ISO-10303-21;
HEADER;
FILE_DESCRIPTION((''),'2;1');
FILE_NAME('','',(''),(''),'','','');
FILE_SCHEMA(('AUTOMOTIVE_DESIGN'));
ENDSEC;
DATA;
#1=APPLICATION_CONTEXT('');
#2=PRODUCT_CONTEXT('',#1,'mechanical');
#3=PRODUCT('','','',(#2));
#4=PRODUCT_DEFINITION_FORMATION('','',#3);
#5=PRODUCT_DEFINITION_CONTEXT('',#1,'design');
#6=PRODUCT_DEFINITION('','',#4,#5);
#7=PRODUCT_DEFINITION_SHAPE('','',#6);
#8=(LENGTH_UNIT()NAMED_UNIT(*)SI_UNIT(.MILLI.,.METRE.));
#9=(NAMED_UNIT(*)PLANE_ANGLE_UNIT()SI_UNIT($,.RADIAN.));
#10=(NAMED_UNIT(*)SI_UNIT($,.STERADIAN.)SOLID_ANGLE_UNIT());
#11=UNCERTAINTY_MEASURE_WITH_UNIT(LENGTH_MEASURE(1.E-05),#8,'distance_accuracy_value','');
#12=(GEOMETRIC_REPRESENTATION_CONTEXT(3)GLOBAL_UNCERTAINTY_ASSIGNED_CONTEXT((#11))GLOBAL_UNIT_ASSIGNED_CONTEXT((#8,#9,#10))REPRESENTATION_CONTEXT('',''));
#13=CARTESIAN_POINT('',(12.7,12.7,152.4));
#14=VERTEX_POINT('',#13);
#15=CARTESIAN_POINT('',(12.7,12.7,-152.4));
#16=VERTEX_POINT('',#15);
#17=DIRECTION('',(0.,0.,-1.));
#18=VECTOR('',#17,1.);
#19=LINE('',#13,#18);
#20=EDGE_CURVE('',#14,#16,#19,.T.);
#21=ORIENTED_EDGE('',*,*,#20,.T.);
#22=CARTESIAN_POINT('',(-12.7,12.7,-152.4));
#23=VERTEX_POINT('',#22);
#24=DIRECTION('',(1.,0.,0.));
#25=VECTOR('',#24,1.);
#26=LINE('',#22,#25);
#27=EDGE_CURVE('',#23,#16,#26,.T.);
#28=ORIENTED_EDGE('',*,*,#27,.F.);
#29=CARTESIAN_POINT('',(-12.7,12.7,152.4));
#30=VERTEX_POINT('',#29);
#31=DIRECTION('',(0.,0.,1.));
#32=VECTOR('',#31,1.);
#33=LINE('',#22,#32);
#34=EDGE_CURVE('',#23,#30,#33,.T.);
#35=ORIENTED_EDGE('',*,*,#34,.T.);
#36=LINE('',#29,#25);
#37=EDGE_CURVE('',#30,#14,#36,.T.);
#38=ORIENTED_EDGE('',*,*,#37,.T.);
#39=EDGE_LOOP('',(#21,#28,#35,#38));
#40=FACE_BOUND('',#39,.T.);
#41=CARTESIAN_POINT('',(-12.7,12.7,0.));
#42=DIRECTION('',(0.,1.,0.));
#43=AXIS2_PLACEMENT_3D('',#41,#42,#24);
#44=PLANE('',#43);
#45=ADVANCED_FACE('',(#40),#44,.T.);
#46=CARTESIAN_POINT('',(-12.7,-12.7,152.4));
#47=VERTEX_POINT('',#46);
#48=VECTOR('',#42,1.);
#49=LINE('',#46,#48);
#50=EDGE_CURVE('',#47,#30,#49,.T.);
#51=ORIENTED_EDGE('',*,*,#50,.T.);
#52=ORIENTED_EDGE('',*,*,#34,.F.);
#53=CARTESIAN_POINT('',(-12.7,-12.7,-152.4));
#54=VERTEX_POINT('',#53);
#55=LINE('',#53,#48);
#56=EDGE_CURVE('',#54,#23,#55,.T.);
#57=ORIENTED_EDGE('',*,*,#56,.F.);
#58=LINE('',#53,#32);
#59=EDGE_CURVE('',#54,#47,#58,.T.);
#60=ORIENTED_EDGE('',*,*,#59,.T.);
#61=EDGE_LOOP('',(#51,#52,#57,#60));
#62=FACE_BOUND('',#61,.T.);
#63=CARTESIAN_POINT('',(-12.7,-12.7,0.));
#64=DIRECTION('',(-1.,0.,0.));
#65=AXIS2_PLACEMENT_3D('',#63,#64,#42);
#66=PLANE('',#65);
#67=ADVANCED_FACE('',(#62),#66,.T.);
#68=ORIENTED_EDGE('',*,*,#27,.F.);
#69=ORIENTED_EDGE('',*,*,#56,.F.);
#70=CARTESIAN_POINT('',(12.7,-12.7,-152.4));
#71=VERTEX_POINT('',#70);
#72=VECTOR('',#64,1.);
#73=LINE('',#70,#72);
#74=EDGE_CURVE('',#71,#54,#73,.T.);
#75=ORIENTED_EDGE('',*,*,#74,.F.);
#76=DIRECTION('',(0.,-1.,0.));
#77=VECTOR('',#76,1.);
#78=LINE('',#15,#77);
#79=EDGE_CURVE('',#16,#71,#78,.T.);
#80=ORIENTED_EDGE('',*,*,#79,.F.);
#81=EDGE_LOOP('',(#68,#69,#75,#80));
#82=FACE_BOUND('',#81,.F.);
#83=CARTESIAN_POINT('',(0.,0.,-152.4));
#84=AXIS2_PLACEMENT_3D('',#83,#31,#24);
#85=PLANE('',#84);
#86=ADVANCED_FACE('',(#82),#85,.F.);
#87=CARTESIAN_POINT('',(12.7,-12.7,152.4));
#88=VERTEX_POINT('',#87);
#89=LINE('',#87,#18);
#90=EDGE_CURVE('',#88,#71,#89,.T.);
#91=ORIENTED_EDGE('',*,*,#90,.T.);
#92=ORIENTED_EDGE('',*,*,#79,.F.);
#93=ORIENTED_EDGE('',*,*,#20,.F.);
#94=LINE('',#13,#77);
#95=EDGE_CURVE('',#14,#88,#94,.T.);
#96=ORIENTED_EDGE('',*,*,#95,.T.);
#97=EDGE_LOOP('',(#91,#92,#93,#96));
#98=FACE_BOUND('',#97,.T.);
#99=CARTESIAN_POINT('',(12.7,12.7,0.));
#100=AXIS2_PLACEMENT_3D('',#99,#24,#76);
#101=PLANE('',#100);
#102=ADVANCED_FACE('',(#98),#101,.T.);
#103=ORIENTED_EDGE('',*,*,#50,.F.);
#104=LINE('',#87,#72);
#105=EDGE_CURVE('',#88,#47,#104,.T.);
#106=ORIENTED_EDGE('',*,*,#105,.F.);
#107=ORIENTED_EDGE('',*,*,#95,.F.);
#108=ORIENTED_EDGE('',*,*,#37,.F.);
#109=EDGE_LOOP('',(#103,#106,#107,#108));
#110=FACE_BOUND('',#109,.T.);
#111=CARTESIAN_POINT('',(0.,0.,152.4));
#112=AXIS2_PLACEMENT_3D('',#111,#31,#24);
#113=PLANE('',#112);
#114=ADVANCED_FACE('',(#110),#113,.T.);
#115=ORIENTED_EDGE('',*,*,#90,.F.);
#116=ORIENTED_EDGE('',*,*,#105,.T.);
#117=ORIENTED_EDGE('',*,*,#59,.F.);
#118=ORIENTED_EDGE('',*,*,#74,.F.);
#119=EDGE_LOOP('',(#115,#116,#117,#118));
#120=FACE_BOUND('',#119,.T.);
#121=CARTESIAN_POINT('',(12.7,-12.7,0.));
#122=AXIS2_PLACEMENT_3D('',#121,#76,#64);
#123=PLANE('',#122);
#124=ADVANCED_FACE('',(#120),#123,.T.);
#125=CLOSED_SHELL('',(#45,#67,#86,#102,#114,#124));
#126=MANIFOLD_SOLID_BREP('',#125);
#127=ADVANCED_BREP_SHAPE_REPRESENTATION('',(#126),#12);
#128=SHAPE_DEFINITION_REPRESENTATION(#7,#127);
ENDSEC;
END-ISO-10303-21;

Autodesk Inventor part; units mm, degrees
ref_plane "YZ Plane" through (0, 0, 0) normal (1, 0, 0) x (0, 1, 0)
ref_plane "XZ Plane" through (0, 0, 0) normal (0, 1, 0) x (-1, 0, 0)
ref_plane "XY Plane" through (0, 0, 0) normal (0, 0, 1) x (1, 0, 0)
sketch "Sketch1" plane through (0, 0, 0) normal (0, 0, 1) x (1, 0, 0)
  line L0 (0, -17.78) -> (0, 17.78) construction
  line L1 (-17.78, 0) -> (17.78, 0) construction
  line L2 (-12.7, 12.7) -> (12.7, 12.7)
  line L3 (12.7, 12.7) -> (12.7, -12.7)
  line L4 (12.7, -12.7) -> (-12.7, -12.7)
  line L5 (-12.7, -12.7) -> (-12.7, 12.7)
  point P0 (0, 0)
  point P1 (0, 12.7)
  point P2 (-12.7, 0)
  dimension "d0" = 25.4
extrude "Extrusion1" add sketch "Sketch1" along normal mid plane 304.8
properties part number "Longitudinal Ventral Spar" material "Aluminum 6061"
